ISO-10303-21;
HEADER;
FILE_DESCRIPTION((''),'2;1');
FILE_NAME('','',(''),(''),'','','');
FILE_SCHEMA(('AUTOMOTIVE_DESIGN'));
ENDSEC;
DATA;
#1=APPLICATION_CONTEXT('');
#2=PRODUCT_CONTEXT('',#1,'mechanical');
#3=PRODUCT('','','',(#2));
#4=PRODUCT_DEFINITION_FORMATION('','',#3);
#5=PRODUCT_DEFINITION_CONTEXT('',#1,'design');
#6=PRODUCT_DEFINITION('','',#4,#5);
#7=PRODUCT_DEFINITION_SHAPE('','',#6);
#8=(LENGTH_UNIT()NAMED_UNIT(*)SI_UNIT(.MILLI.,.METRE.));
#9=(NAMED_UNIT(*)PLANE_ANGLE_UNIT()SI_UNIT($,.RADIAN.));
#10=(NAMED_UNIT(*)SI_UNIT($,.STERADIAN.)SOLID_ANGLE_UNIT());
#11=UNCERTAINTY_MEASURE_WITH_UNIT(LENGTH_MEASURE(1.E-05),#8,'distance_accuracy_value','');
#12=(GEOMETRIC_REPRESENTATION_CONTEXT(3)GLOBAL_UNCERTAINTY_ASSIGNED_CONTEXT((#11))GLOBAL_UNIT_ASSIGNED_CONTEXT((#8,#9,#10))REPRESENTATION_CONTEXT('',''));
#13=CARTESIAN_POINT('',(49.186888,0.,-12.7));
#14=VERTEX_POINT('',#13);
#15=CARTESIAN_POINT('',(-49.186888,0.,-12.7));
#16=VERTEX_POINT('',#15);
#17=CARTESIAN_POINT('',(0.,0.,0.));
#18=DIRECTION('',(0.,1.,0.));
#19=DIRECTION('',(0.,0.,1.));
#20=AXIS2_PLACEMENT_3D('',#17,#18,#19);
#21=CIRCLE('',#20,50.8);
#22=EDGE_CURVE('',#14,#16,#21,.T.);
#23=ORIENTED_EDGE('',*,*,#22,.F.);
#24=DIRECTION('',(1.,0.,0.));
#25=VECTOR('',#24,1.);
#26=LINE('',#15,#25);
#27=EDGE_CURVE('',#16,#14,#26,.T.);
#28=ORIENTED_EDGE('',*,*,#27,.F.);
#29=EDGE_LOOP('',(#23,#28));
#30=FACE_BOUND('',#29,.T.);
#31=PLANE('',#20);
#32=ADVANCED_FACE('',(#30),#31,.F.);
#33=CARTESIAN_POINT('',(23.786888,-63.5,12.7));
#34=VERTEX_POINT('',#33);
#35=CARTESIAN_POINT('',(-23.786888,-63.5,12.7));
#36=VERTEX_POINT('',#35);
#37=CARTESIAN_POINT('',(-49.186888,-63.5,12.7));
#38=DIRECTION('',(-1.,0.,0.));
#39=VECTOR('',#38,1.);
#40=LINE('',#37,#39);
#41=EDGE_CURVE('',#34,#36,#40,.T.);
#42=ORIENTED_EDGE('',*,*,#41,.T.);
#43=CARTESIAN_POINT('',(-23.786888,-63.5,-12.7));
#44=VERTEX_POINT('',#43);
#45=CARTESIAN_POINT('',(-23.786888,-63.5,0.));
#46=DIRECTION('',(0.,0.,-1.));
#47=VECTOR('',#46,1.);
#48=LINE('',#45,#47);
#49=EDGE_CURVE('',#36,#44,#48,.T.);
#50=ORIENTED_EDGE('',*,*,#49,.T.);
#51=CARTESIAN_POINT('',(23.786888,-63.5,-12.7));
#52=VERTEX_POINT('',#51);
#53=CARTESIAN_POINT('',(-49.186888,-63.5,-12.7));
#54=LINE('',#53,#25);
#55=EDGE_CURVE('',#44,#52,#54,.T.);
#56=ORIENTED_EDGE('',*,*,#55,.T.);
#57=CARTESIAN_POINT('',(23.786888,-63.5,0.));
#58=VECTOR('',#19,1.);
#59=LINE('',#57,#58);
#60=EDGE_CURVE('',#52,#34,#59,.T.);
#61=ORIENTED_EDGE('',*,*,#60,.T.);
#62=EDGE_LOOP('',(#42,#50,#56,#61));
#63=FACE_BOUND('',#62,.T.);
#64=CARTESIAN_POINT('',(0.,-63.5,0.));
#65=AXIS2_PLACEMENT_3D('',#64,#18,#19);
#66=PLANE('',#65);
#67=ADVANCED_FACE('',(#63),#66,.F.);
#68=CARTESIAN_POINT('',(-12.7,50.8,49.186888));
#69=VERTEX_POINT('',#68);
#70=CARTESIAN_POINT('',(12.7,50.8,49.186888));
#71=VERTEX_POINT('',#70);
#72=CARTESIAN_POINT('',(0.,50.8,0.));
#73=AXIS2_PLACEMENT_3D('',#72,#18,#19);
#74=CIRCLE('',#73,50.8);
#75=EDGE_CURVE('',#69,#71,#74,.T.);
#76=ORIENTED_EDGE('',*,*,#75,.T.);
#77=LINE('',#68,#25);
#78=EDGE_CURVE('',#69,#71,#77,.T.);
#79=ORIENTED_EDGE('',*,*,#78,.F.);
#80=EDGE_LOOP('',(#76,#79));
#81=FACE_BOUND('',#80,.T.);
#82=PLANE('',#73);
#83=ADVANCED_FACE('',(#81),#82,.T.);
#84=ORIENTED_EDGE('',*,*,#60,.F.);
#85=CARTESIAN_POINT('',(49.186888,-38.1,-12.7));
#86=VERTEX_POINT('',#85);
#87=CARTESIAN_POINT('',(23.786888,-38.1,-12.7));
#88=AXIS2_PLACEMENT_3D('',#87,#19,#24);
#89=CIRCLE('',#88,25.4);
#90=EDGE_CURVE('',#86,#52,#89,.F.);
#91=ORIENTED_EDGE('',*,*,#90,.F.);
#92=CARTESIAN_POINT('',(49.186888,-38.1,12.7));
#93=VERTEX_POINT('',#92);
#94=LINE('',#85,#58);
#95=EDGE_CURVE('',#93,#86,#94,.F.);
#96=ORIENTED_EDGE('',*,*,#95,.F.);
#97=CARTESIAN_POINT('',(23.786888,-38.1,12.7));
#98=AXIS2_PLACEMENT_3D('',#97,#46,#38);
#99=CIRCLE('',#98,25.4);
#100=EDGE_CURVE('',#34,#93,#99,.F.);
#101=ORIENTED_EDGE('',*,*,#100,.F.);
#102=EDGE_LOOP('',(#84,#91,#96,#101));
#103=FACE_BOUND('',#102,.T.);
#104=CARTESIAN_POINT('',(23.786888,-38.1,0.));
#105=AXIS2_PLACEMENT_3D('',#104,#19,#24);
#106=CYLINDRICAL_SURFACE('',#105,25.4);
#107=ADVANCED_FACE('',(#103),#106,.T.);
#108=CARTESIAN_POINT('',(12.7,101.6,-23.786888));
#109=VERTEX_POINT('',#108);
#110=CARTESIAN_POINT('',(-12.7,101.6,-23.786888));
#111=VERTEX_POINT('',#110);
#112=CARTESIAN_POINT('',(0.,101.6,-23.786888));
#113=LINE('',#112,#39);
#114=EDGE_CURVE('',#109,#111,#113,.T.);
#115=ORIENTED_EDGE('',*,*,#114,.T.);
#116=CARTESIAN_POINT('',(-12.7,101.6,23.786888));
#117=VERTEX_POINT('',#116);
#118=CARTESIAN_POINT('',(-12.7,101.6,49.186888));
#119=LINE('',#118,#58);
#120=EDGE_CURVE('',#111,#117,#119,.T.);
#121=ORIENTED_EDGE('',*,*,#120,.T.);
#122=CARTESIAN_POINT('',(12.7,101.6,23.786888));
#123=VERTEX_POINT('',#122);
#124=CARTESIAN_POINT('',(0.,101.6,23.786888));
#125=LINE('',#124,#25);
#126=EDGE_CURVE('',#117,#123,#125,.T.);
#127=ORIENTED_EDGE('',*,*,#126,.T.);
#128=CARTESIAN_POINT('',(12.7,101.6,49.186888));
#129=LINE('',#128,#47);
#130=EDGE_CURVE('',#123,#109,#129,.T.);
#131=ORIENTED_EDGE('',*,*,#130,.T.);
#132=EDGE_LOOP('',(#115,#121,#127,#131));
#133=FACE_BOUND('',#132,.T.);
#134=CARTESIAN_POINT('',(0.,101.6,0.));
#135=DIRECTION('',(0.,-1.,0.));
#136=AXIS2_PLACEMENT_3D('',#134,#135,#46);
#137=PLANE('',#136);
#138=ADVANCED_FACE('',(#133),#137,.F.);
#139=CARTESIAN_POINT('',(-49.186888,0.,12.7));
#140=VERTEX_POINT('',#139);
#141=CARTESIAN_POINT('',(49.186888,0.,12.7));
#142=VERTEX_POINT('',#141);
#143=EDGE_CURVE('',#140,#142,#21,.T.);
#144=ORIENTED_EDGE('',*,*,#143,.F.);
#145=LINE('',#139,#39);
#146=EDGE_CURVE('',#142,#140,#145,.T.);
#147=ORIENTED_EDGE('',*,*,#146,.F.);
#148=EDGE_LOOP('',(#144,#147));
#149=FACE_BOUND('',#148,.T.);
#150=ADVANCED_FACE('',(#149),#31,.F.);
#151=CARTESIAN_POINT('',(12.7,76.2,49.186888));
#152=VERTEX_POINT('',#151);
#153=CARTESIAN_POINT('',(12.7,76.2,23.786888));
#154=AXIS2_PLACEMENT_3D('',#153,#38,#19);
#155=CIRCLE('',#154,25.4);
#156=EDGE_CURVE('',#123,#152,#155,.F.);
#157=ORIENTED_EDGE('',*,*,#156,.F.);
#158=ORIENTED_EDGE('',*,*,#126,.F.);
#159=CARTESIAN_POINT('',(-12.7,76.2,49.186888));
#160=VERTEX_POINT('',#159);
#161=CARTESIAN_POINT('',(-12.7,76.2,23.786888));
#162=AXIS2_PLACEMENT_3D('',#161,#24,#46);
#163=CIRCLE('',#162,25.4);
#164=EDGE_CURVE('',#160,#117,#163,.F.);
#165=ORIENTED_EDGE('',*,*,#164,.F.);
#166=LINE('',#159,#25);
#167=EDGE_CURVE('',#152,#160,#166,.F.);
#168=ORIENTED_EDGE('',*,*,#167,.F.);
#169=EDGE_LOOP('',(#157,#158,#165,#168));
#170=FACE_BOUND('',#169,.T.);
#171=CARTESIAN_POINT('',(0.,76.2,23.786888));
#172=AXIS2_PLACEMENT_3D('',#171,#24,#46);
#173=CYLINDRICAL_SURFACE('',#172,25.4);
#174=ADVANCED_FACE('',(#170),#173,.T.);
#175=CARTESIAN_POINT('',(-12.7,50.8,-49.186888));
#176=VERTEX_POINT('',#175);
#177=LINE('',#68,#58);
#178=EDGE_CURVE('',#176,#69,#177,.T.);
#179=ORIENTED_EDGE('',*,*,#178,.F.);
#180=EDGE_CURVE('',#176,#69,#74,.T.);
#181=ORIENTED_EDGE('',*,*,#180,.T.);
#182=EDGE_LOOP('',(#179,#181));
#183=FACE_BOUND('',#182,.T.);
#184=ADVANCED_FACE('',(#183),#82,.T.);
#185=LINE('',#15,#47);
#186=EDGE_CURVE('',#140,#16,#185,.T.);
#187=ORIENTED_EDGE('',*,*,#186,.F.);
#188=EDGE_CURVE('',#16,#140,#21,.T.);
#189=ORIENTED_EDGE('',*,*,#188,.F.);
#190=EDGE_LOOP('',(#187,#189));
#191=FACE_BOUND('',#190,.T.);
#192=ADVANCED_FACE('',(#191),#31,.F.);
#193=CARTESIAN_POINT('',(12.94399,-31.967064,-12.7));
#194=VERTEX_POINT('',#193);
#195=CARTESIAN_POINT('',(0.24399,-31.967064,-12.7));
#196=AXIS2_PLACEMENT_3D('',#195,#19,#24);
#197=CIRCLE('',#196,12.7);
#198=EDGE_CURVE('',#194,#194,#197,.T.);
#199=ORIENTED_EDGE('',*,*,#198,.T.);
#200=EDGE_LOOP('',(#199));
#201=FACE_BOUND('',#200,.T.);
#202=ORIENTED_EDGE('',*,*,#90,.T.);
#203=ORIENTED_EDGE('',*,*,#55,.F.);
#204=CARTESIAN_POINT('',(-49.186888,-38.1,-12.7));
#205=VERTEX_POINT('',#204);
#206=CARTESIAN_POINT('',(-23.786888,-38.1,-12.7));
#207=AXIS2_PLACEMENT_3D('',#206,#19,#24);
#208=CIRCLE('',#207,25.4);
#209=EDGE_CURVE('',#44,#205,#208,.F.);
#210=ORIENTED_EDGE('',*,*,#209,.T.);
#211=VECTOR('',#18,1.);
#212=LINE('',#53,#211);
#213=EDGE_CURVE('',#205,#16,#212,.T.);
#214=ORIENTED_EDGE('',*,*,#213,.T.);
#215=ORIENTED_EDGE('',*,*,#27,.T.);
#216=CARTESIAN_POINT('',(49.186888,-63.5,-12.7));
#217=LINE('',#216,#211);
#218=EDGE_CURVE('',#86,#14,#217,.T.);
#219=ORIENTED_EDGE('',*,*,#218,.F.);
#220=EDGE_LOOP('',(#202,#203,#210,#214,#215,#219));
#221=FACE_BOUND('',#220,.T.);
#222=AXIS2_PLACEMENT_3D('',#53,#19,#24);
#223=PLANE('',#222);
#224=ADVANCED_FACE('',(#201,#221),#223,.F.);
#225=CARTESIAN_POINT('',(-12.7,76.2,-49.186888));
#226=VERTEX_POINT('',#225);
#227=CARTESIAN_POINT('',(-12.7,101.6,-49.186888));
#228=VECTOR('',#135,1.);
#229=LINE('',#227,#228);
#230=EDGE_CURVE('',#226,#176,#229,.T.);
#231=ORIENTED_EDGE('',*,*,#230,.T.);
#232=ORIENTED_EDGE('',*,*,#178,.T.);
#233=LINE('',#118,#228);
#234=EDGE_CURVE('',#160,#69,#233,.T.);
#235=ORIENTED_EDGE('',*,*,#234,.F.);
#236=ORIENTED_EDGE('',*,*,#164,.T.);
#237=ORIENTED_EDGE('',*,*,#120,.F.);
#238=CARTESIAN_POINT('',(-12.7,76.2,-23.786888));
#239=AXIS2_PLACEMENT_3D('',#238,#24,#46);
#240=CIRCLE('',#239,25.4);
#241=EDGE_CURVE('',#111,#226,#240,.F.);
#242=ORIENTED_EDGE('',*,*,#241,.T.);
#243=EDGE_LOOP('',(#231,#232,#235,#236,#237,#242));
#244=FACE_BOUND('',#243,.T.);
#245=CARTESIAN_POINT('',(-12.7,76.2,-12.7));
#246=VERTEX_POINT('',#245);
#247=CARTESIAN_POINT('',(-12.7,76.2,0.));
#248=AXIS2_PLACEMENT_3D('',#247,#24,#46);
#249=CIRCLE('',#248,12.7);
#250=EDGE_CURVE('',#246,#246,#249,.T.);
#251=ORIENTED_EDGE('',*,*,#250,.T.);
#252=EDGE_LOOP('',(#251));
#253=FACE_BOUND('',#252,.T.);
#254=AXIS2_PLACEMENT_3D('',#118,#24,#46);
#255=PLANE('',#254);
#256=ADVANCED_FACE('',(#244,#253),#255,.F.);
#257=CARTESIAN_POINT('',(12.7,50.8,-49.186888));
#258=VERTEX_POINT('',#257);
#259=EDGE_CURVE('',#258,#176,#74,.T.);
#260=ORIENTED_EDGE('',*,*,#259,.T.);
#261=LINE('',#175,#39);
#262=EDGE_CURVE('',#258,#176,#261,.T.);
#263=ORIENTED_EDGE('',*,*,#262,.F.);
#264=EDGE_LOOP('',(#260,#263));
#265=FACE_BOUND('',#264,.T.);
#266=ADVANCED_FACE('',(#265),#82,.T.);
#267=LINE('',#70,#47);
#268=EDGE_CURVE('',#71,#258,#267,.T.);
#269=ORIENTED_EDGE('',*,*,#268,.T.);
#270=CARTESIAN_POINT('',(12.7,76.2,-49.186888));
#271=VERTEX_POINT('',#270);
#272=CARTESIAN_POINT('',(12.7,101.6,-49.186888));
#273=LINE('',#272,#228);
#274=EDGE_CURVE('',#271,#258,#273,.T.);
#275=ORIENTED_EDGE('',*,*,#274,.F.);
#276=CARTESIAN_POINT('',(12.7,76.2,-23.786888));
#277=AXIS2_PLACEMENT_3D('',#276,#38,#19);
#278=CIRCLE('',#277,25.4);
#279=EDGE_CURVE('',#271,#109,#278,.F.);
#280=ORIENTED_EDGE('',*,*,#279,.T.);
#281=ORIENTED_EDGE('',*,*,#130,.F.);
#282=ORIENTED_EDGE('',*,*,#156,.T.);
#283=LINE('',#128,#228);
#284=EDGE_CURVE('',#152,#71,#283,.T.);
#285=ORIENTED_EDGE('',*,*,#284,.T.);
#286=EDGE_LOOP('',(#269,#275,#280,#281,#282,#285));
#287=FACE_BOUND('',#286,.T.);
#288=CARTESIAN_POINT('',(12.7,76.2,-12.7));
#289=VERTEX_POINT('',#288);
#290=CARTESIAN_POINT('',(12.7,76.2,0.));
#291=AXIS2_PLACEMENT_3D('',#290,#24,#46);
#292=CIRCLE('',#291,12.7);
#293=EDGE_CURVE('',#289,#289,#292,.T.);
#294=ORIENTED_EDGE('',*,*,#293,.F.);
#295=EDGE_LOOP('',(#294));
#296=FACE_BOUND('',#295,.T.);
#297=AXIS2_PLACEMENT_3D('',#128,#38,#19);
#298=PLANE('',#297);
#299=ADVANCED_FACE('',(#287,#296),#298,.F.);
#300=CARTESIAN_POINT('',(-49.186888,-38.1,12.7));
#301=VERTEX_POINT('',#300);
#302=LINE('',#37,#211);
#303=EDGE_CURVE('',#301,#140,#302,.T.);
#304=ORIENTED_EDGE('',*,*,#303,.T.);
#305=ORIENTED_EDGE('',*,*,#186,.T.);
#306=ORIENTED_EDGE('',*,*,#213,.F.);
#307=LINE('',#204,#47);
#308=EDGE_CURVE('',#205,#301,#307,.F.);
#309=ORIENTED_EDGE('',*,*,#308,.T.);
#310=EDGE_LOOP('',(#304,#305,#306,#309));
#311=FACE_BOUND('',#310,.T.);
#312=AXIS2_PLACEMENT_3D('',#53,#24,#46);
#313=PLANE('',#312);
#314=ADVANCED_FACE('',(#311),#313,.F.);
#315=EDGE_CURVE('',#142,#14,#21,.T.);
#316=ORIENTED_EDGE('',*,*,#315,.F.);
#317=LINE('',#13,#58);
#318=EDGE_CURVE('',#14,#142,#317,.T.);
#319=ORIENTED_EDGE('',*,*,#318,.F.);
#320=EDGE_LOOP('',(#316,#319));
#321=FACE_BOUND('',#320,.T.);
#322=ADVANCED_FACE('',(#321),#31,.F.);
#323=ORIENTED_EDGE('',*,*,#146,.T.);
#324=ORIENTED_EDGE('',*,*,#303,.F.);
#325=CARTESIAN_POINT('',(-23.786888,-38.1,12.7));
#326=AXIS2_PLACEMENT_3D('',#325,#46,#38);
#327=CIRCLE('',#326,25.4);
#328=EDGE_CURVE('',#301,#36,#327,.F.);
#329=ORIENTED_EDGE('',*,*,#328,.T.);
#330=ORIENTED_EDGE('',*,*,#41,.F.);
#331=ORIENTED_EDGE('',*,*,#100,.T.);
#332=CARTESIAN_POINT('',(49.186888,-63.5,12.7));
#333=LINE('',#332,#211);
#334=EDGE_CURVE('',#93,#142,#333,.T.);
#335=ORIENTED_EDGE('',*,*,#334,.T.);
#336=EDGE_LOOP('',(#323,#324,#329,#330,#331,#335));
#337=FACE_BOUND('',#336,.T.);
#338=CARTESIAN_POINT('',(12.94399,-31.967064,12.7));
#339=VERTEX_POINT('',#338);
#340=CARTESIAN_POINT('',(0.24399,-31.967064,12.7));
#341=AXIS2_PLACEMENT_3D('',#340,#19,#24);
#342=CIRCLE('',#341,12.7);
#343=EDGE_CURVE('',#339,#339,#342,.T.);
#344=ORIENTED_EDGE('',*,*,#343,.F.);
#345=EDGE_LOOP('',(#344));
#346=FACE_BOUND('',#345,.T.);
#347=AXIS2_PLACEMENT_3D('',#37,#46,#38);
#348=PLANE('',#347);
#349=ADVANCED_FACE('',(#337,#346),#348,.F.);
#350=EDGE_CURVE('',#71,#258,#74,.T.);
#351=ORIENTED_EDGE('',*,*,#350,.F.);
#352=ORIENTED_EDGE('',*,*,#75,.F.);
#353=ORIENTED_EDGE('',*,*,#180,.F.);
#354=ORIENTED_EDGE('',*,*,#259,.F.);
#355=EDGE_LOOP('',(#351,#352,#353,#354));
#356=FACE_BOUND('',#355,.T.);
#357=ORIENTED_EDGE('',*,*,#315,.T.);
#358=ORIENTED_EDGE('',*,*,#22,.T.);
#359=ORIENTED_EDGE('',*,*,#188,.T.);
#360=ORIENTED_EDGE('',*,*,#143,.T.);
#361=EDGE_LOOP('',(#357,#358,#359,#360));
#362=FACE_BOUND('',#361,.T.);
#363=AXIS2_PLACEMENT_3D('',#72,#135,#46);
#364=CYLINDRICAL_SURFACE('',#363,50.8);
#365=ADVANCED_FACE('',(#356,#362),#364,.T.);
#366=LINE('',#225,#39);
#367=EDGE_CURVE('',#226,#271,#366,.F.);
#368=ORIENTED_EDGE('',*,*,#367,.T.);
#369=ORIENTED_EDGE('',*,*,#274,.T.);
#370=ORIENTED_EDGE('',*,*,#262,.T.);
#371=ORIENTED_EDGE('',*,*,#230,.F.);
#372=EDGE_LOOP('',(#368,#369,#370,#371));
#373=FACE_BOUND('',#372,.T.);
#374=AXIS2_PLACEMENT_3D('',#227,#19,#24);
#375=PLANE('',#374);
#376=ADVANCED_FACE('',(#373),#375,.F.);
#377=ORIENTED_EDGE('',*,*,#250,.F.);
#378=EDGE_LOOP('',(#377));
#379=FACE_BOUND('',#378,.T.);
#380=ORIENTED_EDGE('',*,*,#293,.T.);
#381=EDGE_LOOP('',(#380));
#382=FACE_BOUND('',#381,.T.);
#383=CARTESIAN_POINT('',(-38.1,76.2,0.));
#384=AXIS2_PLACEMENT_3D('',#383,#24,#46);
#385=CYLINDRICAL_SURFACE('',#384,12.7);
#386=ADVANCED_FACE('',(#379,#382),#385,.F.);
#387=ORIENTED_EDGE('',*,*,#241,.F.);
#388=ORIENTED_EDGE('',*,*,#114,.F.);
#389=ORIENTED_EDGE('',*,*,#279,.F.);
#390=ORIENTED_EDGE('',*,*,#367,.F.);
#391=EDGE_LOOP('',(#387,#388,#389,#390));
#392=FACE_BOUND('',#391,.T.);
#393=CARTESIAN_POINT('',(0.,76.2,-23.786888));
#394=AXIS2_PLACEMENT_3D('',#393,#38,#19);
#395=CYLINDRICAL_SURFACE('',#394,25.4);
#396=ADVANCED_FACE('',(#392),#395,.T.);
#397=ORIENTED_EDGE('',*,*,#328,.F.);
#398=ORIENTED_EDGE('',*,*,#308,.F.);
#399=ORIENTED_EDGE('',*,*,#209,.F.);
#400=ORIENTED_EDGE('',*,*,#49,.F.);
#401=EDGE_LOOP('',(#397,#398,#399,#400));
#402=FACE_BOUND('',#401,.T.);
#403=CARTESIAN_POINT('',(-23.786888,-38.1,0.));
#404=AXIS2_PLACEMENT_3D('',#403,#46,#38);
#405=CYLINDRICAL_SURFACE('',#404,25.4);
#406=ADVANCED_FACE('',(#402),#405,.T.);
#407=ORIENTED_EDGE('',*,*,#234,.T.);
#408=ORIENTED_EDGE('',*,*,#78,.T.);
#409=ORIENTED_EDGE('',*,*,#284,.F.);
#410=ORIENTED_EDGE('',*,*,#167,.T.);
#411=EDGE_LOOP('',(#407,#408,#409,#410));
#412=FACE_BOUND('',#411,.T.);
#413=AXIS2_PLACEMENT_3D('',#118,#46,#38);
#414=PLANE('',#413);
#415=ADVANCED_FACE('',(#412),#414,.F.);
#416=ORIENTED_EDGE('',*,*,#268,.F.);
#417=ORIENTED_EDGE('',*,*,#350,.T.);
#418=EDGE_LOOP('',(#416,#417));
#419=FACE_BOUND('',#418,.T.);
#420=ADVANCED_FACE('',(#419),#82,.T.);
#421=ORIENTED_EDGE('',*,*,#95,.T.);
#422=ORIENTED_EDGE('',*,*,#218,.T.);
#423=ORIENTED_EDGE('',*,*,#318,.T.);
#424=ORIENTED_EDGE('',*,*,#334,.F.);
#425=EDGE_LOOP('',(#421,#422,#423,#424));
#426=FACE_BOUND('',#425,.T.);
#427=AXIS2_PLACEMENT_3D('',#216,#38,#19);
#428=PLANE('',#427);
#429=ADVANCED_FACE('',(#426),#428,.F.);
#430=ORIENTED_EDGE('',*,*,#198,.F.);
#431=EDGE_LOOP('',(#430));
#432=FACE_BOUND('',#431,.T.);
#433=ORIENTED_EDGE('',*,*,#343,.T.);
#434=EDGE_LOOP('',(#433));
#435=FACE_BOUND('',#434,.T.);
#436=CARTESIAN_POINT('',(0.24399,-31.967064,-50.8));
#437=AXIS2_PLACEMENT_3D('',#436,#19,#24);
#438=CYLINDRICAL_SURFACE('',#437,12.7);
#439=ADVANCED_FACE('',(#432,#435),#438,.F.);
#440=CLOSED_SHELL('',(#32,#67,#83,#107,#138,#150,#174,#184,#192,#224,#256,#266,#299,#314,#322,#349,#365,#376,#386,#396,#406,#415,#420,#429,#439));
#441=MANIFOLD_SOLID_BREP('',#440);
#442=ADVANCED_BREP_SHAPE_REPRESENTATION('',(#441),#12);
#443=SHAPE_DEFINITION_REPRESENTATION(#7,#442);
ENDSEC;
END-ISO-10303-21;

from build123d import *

# Parameters (mm, degrees)
SKETCH1_R           = 50.8
BOSS_EXTRUDE1_DEPTH = 50.8
SKETCH3_W           = 98.373776994
SKETCH3_H           = 25.4
BOSS_EXTRUDE3_DEPTH = 63.5
SKETCH4_R           = 12.7
CUT_EXTRUDE1_DEPTH  = 104.175287739
FILLET1_R           = 25.4
FILLET2_R           = 25.4
SKETCH5_W           = 25.4
SKETCH5_H           = 98.373776994
BOSS_EXTRUDE4_DEPTH = 50.8
SKETCH6_R           = 12.7
CUT_EXTRUDE2_DEPTH  = 50.8
FILLET3_R           = 25.4


with BuildPart() as part:
    # Sketch1 → Boss-Extrude1 (new body)
    with BuildSketch(Plane(origin=(0, 0, 0), x_dir=(1, 0, 0), z_dir=(0, 1, 0))):
        with Locations(Location((0, 0, 0), (0, 0, 270))):
            Circle(SKETCH1_R)
    extrude(amount=BOSS_EXTRUDE1_DEPTH)

    # Sketch3 → Boss-Extrude3 (add)
    with BuildSketch(Plane.XZ):
        Rectangle(SKETCH3_W, SKETCH3_H)
    extrude(amount=BOSS_EXTRUDE3_DEPTH)

    # Sketch4 → Cut-Extrude1 (cut, through all)
    with BuildSketch(Plane.XY.offset(12.7)):
        with Locations((0.243990196, -31.967064289)):
            Circle(SKETCH4_R)
    extrude(amount=-CUT_EXTRUDE1_DEPTH, mode=Mode.SUBTRACT)

    # Fillet1
    fillet1_edges = [part.edges().sort_by_distance(p)[0] for p in [
        (-49.186888497, -63.5, 0),
    ]]
    fillet(fillet1_edges, radius=FILLET1_R)

    # Fillet2
    fillet2_edges = [part.edges().sort_by_distance(p)[0] for p in [
        (49.186888497, -63.5, 0),
    ]]
    fillet(fillet2_edges, radius=FILLET2_R)

    # Sketch5 → Boss-Extrude4 (add)
    with BuildSketch(Plane(origin=(0, 50.8, 0), x_dir=(1, 0, 0), z_dir=(0, 1, 0))):
        Rectangle(SKETCH5_W, SKETCH5_H)
    extrude(amount=BOSS_EXTRUDE4_DEPTH)

    # Sketch6 → Cut-Extrude2 (cut)
    with BuildSketch(Plane(origin=(12.7, 0, 0), x_dir=(0, 0, -1), z_dir=(1, 0, 0))):
        with Locations((0, 76.2)):
            Circle(SKETCH6_R)
    extrude(amount=-CUT_EXTRUDE2_DEPTH, mode=Mode.SUBTRACT)

    # Fillet3
    fillet3_edges = [part.edges().sort_by_distance(p)[0] for p in [
        (0, 101.6, -49.186888497),
        (0, 101.6, 49.186888497),
    ]]
    fillet(fillet3_edges, radius=FILLET3_R)


solid = part.part
